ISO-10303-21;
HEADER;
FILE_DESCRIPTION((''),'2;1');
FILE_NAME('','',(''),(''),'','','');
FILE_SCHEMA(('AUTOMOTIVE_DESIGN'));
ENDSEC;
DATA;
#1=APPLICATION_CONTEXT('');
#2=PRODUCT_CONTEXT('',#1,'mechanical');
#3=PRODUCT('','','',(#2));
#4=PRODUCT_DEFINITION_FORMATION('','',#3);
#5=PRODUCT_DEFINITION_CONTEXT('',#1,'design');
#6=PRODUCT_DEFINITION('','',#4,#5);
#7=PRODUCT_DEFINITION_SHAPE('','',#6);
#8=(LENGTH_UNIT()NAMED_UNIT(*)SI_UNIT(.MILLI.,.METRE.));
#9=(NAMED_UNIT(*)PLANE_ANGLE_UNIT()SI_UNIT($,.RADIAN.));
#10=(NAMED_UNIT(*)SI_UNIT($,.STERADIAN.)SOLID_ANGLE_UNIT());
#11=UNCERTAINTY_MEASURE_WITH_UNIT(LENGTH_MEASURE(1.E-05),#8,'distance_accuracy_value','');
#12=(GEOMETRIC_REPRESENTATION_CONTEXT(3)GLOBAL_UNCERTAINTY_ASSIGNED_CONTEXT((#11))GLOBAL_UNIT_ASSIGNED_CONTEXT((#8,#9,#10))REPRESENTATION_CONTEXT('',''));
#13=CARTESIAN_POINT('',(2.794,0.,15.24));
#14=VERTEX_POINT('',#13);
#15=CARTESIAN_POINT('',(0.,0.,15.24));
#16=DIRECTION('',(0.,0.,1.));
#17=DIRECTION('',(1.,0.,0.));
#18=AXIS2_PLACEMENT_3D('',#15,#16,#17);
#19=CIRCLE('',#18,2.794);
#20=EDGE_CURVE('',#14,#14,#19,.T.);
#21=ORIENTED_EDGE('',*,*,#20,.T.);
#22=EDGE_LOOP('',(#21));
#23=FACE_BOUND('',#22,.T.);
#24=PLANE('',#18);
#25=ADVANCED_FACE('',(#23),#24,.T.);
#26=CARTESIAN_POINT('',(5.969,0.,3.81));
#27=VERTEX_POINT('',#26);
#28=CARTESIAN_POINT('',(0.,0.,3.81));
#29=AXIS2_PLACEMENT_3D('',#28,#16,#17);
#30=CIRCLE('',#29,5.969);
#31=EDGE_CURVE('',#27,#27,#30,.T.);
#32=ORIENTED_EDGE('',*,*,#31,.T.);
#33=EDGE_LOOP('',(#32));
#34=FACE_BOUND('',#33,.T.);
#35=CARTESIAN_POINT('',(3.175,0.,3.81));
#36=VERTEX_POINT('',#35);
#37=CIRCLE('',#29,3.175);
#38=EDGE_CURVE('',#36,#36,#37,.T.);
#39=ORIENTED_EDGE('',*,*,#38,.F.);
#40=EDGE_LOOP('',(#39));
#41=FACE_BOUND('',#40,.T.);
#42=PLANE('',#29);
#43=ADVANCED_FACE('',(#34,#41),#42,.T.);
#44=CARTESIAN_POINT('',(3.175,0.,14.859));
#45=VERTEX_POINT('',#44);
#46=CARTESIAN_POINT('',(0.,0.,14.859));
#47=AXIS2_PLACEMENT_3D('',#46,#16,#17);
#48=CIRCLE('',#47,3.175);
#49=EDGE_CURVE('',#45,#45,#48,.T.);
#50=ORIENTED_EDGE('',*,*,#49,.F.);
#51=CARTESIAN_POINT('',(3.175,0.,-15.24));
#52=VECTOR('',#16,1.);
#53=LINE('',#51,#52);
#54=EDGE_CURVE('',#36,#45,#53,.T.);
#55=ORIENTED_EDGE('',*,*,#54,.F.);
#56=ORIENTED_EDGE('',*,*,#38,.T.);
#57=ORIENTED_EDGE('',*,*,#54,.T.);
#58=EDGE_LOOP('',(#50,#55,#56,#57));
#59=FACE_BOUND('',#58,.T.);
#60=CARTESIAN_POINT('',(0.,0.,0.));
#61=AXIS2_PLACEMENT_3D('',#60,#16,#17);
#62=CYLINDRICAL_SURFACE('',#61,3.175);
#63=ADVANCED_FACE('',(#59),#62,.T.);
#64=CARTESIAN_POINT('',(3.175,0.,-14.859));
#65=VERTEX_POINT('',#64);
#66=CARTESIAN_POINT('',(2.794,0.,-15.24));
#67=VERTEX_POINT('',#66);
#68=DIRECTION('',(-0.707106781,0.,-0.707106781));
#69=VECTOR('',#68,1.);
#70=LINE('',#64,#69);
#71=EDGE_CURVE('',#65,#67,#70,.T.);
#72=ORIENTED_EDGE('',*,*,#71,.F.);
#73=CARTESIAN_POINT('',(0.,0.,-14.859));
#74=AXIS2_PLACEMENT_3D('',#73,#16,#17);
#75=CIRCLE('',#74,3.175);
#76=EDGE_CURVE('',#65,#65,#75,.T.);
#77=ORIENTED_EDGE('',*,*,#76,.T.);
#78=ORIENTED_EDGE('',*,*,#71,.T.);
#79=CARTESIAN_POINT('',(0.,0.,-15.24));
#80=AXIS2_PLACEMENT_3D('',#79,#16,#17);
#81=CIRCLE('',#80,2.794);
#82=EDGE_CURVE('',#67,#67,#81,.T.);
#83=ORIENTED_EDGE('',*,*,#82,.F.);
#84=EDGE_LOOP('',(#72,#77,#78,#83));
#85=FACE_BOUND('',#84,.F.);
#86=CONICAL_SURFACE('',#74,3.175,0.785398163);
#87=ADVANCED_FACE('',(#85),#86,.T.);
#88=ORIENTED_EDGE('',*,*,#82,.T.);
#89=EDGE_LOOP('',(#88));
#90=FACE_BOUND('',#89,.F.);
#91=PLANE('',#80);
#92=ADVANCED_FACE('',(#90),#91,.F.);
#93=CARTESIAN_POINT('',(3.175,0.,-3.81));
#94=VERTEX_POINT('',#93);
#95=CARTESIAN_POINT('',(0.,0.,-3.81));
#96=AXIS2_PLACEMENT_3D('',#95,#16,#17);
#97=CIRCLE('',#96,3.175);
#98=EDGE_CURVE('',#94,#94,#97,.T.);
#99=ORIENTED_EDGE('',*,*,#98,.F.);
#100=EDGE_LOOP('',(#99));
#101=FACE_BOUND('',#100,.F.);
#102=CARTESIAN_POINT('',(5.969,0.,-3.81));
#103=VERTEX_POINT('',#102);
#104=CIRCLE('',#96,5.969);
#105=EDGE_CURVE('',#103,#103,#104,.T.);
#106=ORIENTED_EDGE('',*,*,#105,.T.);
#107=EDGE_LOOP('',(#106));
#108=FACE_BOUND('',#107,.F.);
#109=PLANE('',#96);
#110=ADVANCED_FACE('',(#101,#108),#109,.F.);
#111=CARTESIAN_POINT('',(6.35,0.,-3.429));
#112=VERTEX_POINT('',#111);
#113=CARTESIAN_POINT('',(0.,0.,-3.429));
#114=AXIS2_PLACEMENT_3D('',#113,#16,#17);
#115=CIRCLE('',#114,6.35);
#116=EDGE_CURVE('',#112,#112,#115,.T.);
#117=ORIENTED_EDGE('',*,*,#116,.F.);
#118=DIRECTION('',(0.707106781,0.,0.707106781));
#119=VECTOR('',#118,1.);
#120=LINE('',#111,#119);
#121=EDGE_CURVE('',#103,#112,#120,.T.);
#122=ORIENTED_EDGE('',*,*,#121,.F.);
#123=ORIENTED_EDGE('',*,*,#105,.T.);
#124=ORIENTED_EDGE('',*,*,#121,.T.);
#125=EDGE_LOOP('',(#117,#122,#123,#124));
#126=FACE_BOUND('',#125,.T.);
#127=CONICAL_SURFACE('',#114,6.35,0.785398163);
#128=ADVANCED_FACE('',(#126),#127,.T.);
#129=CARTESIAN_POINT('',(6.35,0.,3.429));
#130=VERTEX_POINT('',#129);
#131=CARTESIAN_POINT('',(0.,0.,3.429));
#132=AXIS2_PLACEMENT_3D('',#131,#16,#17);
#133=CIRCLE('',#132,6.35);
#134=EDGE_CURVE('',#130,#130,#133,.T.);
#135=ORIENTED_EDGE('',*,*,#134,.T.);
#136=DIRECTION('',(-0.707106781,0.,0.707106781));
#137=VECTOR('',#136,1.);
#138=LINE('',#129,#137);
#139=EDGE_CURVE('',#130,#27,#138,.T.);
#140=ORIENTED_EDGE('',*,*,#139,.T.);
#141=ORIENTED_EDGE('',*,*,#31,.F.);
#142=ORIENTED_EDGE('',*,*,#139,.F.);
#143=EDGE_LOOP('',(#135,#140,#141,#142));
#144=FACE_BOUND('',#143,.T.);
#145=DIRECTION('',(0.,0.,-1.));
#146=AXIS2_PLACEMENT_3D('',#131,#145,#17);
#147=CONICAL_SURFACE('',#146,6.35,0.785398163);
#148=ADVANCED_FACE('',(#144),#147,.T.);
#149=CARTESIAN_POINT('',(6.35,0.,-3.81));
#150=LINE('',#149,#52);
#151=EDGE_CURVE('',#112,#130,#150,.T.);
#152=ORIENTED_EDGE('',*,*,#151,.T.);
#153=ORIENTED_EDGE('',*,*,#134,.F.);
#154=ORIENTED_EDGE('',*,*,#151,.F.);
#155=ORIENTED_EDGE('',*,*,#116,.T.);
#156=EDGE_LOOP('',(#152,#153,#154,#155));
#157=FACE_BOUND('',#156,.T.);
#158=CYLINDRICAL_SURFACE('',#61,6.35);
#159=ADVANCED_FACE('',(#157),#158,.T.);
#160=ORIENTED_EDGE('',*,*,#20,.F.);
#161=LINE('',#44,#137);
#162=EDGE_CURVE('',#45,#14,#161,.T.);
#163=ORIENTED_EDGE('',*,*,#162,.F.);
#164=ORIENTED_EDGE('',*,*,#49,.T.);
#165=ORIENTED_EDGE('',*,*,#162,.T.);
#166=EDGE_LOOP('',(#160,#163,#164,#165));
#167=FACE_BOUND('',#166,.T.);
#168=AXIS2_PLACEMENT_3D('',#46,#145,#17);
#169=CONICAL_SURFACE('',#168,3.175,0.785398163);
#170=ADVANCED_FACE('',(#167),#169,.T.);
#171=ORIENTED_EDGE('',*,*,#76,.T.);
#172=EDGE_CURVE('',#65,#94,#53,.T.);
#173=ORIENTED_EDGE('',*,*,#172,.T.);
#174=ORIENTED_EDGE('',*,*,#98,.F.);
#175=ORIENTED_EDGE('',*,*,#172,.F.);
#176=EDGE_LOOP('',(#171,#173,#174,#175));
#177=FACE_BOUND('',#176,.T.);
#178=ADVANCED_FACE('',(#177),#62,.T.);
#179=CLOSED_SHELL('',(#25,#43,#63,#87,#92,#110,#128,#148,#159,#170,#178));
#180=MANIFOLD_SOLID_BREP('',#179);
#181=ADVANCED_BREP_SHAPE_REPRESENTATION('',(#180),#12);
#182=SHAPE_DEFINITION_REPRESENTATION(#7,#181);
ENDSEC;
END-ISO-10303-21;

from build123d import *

# Parameters (mm, degrees)
F0_R     = 3.175
F1_DEPTH = 15.24
F0_R_2   = 6.35
F2_DEPTH = 3.81
F3_SIZE  = 0.381


with BuildPart() as f1:
    # F0 (on Top) → F1 (new body, symmetric)
    with BuildSketch(Plane.XY):
        Circle(F0_R)
    extrude(amount=F1_DEPTH, both=True)

    # F0 (on Top) → F2 (join, symmetric)
    with BuildSketch(Plane.XY):
        Circle(F0_R_2)
        Circle(F0_R, mode=Mode.SUBTRACT)
    extrude(amount=F2_DEPTH, both=True)

    # F3
    f3_edges = [f1.edges().sort_by_distance(p)[0] for p in [
        (-6.35, 0, 3.81),
        (-6.35, 0, -3.81),
        (-3.175, 0, 15.24),
        (-3.175, 0, -15.24),
    ]]
    chamfer(f3_edges, length=F3_SIZE)


solid = f1.part
